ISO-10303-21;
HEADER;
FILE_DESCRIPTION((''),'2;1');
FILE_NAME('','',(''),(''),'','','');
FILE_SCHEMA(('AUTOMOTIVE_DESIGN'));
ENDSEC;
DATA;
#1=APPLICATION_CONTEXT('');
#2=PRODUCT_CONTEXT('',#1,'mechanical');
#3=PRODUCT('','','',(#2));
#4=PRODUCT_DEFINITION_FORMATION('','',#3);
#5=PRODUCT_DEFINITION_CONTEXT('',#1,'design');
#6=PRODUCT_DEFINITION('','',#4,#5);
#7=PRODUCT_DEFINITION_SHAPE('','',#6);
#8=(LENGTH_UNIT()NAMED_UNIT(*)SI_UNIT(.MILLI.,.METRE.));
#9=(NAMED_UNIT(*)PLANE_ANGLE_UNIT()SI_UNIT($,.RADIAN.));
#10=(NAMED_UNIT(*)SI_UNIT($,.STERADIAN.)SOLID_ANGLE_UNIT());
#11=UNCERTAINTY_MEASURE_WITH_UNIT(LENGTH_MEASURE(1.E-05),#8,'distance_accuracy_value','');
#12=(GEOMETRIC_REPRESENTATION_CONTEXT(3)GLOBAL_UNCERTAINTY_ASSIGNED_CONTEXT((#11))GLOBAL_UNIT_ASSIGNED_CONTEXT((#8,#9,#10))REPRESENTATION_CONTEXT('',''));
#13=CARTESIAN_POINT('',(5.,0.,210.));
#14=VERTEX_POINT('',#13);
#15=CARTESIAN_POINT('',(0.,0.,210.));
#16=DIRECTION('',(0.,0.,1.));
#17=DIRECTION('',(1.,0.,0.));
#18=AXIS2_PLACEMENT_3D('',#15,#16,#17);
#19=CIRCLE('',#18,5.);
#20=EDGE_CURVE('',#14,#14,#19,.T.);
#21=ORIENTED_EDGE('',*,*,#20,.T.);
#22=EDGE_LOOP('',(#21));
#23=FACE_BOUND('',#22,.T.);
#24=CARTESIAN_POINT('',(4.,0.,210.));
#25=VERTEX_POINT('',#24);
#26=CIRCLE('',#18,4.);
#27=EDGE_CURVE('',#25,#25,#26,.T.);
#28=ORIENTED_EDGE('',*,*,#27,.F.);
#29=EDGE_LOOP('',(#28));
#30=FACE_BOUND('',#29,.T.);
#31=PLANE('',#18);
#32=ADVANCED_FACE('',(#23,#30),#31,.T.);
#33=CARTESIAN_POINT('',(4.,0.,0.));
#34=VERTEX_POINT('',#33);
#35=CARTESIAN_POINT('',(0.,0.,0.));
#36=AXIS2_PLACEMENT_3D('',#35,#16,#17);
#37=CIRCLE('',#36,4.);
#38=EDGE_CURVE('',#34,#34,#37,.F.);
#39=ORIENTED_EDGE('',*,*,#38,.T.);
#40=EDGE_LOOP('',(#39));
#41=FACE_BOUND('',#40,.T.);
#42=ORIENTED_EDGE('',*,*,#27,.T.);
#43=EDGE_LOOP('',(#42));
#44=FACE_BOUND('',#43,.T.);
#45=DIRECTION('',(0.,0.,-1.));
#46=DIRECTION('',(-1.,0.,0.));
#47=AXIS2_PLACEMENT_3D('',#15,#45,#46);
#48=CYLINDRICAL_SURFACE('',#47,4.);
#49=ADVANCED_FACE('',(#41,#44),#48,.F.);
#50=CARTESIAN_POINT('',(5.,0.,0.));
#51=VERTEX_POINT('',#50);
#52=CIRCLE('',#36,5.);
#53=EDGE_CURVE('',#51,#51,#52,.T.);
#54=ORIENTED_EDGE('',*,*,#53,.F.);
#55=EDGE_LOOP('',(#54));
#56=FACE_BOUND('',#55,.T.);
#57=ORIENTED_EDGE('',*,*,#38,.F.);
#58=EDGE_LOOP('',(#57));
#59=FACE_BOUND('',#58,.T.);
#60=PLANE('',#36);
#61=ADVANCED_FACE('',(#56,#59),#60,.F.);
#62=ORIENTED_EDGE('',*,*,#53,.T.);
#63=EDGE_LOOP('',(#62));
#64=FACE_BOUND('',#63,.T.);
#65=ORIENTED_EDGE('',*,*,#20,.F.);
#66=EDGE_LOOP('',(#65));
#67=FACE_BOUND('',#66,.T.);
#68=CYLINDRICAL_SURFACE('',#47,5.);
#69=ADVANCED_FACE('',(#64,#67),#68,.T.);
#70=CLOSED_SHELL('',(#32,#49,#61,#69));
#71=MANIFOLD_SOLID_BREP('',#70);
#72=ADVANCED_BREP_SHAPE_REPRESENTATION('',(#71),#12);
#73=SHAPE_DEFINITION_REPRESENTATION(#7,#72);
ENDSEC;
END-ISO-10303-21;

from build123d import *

# Parameters (mm, degrees)
SKETCH_1_R          = 5
EXTRUDE_1_DEPTH     = 210
SHELL_1_T           = -1
CUT_EXTRUDE_1_REACH = 211.12
SKETCH_2_R          = 4


with BuildPart() as part:
    # 草图1 → 凸台-拉伸1 (new body)
    with BuildSketch(Plane.XY):
        Circle(SKETCH_1_R)
    extrude(amount=EXTRUDE_1_DEPTH)

    # 抽壳1
    shell_1_openings = [part.faces().sort_by_distance(p)[0] for p in [
        (0, 0, 210),
    ]]
    offset(amount=SHELL_1_T, openings=shell_1_openings, kind=Kind.INTERSECTION)

    # 草图2 → 切除-拉伸1 (cut, up to next)
    with BuildSketch(Plane.XY.offset(1), mode=Mode.PRIVATE) as cut_extrude_1_sk1:
        Circle(SKETCH_2_R)
    cut_extrude_1_tool1 = extrude(cut_extrude_1_sk1.sketch, amount=-CUT_EXTRUDE_1_REACH, mode=Mode.PRIVATE) & part.part
    add(cut_extrude_1_tool1.solids().sort_by_distance((0, 0, 1))[0], mode=Mode.SUBTRACT)


solid = part.part
